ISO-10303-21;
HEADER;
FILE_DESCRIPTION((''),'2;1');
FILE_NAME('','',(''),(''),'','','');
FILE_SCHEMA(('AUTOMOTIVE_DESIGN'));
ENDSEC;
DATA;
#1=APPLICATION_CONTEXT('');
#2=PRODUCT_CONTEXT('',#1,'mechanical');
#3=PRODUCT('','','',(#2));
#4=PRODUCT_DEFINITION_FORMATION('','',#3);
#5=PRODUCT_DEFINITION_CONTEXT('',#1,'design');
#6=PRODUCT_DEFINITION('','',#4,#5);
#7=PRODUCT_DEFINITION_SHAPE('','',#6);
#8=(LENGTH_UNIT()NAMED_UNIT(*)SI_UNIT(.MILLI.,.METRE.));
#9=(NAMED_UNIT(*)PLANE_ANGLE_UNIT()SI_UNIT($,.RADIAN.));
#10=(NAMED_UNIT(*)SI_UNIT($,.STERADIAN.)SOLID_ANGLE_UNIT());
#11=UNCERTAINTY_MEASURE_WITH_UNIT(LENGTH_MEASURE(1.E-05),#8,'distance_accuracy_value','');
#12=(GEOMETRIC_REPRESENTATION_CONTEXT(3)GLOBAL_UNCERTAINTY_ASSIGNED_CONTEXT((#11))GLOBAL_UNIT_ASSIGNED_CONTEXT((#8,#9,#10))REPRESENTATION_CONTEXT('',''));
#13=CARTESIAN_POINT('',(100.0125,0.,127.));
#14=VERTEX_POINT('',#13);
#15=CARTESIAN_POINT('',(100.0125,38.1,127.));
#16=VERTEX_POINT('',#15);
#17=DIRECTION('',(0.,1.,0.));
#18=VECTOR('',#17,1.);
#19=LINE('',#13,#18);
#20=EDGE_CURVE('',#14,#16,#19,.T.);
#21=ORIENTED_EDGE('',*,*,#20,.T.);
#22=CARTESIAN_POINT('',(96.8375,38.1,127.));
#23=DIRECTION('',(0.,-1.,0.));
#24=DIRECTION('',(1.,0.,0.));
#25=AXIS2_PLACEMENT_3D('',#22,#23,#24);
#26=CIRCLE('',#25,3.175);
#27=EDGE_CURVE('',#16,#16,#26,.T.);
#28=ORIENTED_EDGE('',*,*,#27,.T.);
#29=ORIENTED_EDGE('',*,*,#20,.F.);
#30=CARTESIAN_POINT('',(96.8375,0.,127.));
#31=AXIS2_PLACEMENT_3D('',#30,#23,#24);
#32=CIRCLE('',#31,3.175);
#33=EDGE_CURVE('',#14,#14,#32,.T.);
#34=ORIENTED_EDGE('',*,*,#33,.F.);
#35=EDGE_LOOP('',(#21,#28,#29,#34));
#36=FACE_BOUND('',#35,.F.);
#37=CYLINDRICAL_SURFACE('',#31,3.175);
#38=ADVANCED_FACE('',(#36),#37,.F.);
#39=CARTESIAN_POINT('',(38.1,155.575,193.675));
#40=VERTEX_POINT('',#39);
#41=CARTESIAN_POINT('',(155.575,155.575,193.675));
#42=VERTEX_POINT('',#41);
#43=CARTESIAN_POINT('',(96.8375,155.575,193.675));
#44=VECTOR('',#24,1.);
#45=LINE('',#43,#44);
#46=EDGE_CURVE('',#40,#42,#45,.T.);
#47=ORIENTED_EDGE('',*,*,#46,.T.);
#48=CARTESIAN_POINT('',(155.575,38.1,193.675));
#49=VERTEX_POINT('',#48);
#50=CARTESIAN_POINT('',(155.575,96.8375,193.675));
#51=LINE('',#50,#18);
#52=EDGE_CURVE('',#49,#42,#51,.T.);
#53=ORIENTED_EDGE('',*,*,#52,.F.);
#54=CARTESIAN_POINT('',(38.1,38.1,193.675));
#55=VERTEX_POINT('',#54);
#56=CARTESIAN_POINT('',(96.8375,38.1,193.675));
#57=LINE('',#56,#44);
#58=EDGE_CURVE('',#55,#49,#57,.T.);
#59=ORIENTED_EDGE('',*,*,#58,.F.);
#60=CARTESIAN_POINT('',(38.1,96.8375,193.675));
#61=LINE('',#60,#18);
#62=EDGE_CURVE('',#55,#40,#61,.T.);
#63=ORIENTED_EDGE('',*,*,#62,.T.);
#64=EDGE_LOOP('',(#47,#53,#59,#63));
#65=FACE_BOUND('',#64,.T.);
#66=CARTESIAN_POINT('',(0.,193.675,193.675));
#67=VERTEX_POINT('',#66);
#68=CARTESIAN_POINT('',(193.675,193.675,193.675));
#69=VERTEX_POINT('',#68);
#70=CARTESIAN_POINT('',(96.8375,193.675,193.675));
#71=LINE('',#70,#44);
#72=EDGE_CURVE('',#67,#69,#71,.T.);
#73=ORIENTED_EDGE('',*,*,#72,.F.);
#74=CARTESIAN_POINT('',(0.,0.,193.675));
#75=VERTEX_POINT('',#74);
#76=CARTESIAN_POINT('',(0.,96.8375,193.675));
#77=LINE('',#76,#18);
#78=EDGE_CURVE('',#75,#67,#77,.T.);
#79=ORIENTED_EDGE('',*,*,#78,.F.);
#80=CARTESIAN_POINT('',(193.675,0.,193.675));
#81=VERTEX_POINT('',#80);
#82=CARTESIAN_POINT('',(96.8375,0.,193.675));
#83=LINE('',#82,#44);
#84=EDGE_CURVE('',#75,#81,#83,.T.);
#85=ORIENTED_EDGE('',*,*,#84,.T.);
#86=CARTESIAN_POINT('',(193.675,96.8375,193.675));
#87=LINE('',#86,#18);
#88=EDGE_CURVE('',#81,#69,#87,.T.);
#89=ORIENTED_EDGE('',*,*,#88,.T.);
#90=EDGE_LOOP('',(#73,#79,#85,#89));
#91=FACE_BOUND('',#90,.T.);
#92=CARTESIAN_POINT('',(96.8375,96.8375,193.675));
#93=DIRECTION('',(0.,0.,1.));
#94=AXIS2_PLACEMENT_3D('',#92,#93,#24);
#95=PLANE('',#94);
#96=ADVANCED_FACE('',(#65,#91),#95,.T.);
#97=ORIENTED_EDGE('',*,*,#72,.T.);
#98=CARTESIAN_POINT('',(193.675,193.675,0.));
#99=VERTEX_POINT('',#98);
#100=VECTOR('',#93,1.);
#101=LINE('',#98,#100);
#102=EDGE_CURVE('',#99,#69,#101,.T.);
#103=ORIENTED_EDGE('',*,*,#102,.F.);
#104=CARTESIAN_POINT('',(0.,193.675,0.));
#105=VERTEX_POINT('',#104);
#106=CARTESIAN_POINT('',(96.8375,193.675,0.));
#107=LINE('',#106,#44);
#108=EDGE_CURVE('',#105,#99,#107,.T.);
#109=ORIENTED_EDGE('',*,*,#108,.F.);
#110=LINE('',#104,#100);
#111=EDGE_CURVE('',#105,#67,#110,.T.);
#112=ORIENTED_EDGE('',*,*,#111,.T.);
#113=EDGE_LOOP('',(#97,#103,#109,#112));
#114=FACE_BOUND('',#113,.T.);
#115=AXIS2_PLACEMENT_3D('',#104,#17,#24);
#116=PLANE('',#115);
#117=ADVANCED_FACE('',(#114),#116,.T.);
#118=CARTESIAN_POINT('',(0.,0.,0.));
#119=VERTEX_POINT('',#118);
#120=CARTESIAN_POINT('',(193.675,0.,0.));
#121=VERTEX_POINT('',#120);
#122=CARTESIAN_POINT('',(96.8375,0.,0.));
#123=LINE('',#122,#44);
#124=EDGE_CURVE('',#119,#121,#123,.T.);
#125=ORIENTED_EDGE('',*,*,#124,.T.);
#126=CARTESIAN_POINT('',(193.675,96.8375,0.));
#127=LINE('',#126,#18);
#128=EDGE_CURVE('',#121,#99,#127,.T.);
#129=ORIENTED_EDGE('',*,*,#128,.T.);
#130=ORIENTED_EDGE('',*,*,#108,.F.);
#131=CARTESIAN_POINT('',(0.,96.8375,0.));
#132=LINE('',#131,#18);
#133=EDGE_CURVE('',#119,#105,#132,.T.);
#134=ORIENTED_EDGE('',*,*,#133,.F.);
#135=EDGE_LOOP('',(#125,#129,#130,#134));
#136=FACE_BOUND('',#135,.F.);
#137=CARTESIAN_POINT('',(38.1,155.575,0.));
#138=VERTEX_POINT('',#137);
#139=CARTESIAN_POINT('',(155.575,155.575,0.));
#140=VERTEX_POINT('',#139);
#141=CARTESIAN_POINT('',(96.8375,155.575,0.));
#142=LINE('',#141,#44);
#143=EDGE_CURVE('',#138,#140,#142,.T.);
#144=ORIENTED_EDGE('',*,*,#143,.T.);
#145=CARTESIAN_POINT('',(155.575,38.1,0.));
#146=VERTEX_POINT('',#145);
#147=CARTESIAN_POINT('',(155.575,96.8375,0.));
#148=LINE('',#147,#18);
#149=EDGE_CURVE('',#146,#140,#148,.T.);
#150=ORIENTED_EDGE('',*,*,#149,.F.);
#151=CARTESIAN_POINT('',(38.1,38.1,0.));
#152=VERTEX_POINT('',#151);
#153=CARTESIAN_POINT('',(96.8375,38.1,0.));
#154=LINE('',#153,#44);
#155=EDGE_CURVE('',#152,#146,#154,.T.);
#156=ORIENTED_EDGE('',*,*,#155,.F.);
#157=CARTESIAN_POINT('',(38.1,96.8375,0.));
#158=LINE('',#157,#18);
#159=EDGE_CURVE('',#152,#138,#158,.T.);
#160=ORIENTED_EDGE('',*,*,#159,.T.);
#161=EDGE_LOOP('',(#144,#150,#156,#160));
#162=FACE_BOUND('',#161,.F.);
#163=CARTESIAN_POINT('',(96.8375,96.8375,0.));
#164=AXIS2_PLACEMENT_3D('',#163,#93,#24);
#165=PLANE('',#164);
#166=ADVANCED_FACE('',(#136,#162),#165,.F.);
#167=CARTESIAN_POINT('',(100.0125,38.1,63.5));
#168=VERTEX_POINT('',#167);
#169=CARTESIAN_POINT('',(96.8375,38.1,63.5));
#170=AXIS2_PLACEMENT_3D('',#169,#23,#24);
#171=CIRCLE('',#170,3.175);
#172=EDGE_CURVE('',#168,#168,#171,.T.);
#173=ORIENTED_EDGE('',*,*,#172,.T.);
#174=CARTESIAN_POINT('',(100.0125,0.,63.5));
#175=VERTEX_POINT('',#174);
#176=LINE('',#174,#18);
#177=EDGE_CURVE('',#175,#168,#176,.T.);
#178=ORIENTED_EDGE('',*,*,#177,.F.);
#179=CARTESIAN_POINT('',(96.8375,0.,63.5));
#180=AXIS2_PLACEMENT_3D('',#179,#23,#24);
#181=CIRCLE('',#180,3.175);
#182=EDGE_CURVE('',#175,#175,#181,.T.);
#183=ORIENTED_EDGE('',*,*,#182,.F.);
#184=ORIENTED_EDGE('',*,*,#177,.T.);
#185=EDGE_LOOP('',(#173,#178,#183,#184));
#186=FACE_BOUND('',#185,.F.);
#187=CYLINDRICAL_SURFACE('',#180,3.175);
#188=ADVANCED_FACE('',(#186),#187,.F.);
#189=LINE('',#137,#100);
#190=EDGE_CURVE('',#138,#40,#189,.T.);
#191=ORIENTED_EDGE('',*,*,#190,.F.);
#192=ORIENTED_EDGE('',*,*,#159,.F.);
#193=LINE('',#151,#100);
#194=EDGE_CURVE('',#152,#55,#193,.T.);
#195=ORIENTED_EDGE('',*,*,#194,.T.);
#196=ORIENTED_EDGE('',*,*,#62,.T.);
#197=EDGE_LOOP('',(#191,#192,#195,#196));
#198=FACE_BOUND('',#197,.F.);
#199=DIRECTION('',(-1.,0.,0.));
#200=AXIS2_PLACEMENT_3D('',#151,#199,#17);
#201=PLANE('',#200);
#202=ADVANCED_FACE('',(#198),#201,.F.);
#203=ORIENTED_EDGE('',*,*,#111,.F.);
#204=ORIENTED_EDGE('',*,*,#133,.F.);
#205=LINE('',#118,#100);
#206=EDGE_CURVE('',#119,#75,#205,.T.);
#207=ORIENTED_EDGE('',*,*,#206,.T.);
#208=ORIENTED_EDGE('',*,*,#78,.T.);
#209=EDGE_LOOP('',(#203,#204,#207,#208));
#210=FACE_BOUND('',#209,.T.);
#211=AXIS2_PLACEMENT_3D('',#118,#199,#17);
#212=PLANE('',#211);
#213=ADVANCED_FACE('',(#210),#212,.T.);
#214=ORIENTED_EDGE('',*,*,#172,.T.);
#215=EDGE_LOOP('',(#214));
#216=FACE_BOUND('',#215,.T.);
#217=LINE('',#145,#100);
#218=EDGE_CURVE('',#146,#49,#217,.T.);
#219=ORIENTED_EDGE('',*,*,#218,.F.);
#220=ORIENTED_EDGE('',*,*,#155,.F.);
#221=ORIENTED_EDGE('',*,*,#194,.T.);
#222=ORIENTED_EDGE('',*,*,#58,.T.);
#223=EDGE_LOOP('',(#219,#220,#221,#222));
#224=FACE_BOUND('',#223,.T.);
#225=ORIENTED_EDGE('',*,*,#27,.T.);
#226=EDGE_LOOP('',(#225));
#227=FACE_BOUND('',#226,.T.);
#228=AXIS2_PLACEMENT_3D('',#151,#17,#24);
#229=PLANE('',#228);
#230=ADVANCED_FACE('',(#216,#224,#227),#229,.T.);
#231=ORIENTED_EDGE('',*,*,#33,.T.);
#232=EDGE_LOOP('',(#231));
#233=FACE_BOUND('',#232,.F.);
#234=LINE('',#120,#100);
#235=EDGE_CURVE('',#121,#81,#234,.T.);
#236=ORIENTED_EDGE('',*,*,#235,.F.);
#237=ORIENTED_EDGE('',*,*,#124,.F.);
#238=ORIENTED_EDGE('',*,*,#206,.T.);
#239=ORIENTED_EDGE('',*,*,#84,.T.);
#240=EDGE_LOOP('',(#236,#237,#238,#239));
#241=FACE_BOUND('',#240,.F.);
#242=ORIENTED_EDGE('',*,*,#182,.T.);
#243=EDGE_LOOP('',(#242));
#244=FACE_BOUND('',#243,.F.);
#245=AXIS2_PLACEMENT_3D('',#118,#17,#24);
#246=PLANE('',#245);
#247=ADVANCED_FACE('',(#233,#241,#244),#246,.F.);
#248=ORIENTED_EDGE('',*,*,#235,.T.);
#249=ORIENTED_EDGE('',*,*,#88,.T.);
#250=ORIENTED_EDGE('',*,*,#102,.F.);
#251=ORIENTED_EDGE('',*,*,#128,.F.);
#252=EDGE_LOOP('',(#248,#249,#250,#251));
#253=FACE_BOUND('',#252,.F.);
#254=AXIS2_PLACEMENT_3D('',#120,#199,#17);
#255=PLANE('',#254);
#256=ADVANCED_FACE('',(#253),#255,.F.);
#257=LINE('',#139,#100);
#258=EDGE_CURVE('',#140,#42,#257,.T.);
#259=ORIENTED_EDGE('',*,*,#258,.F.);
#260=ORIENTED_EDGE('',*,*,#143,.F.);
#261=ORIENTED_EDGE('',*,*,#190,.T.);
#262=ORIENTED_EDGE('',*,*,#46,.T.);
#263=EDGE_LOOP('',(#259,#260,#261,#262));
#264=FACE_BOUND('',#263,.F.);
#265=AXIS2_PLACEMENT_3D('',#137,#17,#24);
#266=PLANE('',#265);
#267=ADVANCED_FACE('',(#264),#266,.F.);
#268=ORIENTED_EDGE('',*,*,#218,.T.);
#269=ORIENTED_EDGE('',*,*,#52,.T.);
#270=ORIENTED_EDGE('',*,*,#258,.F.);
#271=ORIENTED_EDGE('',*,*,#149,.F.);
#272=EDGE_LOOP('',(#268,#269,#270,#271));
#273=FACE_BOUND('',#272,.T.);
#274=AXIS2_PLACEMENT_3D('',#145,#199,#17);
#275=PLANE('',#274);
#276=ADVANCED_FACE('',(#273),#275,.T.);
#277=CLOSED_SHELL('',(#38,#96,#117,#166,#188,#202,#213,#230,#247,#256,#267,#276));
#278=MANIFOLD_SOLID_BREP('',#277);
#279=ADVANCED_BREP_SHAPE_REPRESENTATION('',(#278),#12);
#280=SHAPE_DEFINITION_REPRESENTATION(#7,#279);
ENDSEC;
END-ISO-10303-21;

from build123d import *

# Parameters (mm, degrees)
F0_W     = 193.675
F0_H     = 193.675
F0_W_2   = 117.475
F0_H_2   = 117.475
F1_DEPTH = 193.675
F2_R     = 3.175
F3_DEPTH = 38.1


with BuildPart() as f1:
    # F0 (on Top) → F1 (new body)
    with BuildSketch(Plane.XY):
        with Locations((96.8375, 96.8375)):
            Rectangle(F0_W, F0_H)
        with Locations((96.8375, 96.8375)):
            Rectangle(F0_W_2, F0_H_2, mode=Mode.SUBTRACT)
    extrude(amount=F1_DEPTH)

    # F2 (on face) → F3 (cut, through all)
    with BuildSketch(Plane.XZ):
        with Locations((96.8375, 127)):
            Circle(F2_R)
        with Locations((96.8375, 63.5)):
            Circle(F2_R)
    extrude(amount=-F3_DEPTH, mode=Mode.SUBTRACT)


solid = f1.part
